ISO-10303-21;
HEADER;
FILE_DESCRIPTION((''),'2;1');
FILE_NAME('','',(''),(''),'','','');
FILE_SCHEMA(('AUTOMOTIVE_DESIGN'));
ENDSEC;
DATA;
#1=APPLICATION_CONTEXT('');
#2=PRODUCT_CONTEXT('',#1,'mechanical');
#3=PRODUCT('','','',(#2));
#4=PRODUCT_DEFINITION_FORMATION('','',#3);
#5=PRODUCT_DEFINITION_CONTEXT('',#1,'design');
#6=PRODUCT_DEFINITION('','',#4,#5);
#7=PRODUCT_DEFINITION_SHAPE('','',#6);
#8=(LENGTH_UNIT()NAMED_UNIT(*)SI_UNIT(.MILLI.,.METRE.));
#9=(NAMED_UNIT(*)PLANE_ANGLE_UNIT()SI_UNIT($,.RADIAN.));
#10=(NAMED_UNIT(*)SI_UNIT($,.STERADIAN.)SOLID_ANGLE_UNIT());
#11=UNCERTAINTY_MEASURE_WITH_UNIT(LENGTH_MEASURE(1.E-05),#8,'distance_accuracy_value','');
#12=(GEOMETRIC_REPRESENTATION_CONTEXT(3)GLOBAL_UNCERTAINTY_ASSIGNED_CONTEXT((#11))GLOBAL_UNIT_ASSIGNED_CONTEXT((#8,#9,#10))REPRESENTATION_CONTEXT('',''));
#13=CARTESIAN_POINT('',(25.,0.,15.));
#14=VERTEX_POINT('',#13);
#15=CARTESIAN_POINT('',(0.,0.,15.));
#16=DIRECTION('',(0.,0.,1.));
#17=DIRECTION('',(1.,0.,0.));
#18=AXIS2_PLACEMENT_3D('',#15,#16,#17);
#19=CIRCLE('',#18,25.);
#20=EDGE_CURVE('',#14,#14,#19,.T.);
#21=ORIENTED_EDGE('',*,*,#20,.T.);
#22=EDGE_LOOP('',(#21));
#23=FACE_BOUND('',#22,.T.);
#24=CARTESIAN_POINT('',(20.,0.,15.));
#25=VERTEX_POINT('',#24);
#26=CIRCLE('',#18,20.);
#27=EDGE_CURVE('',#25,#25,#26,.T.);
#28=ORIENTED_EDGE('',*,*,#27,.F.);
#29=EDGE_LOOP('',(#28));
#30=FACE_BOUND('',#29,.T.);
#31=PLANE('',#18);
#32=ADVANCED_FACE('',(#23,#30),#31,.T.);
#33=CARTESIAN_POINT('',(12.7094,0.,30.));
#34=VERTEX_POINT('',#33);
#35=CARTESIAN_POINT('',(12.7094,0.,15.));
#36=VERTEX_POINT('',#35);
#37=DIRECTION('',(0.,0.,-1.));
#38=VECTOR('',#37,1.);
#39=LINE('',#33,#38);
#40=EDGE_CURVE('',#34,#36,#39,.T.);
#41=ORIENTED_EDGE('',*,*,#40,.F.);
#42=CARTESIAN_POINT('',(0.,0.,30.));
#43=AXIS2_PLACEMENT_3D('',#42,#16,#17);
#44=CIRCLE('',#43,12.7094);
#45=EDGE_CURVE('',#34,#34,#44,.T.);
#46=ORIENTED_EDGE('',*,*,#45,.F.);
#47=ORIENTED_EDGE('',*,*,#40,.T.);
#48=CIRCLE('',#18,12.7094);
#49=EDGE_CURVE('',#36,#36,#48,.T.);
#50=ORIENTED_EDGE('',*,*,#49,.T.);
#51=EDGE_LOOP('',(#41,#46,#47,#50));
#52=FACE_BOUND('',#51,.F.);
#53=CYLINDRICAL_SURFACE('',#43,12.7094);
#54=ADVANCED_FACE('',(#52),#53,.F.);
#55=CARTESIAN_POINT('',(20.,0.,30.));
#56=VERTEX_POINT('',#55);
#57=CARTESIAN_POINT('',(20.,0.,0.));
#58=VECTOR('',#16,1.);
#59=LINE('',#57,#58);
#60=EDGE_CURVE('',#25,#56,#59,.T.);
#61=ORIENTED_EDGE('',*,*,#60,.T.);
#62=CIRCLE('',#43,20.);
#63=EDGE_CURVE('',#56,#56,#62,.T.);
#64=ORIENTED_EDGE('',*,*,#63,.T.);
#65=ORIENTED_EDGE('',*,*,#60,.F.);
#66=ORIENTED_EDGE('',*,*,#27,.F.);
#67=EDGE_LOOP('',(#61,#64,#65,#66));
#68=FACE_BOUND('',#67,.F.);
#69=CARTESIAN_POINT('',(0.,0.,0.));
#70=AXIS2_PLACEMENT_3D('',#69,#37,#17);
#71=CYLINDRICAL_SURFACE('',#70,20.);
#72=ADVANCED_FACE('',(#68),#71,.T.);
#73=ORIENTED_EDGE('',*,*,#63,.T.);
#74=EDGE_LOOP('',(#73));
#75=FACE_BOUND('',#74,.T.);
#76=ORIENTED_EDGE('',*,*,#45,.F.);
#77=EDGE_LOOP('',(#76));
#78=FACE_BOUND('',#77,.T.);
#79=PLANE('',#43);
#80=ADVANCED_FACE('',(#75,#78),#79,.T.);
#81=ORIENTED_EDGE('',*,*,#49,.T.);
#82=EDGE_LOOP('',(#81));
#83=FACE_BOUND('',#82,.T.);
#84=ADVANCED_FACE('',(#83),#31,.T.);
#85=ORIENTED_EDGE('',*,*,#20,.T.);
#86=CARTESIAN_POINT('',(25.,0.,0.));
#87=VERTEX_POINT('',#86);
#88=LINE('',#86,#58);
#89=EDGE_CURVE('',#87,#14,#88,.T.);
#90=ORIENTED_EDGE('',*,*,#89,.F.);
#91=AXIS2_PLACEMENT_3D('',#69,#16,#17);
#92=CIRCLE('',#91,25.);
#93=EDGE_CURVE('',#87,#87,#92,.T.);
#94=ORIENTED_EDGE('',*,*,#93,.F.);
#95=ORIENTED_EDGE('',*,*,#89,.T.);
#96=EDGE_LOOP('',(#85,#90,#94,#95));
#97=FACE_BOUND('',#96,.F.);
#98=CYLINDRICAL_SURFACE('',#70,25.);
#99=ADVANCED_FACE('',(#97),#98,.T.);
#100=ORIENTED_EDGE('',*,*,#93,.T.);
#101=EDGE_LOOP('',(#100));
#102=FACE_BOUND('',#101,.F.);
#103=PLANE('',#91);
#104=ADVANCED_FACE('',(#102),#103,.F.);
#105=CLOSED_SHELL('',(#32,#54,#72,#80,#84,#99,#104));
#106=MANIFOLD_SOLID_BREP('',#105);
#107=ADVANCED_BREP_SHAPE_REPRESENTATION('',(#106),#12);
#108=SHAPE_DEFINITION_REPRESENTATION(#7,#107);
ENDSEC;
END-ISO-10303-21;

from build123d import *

# Parameters (mm, degrees)
F2_R     = 25
F2_R_2   = 20
F3_DEPTH = 15
F4_DEPTH = 30
F5_R     = 12.7094
F6_DEPTH = 15


with BuildPart() as f3:
    # F2 (on Top) → F3 (new body)
    with BuildSketch(Plane.XY):
        Circle(F2_R)
        Circle(F2_R_2, mode=Mode.SUBTRACT)
    extrude(amount=F3_DEPTH)

    # F2 (on Top) → F4 (join)
    with BuildSketch(Plane.XY):
        Circle(F2_R_2)
    extrude(amount=F4_DEPTH)

    # F5 (on face) → F6 (cut)
    with BuildSketch(Plane.XY.offset(30)):
        Circle(F5_R)
    extrude(amount=-F6_DEPTH, mode=Mode.SUBTRACT)


solid = f3.part
